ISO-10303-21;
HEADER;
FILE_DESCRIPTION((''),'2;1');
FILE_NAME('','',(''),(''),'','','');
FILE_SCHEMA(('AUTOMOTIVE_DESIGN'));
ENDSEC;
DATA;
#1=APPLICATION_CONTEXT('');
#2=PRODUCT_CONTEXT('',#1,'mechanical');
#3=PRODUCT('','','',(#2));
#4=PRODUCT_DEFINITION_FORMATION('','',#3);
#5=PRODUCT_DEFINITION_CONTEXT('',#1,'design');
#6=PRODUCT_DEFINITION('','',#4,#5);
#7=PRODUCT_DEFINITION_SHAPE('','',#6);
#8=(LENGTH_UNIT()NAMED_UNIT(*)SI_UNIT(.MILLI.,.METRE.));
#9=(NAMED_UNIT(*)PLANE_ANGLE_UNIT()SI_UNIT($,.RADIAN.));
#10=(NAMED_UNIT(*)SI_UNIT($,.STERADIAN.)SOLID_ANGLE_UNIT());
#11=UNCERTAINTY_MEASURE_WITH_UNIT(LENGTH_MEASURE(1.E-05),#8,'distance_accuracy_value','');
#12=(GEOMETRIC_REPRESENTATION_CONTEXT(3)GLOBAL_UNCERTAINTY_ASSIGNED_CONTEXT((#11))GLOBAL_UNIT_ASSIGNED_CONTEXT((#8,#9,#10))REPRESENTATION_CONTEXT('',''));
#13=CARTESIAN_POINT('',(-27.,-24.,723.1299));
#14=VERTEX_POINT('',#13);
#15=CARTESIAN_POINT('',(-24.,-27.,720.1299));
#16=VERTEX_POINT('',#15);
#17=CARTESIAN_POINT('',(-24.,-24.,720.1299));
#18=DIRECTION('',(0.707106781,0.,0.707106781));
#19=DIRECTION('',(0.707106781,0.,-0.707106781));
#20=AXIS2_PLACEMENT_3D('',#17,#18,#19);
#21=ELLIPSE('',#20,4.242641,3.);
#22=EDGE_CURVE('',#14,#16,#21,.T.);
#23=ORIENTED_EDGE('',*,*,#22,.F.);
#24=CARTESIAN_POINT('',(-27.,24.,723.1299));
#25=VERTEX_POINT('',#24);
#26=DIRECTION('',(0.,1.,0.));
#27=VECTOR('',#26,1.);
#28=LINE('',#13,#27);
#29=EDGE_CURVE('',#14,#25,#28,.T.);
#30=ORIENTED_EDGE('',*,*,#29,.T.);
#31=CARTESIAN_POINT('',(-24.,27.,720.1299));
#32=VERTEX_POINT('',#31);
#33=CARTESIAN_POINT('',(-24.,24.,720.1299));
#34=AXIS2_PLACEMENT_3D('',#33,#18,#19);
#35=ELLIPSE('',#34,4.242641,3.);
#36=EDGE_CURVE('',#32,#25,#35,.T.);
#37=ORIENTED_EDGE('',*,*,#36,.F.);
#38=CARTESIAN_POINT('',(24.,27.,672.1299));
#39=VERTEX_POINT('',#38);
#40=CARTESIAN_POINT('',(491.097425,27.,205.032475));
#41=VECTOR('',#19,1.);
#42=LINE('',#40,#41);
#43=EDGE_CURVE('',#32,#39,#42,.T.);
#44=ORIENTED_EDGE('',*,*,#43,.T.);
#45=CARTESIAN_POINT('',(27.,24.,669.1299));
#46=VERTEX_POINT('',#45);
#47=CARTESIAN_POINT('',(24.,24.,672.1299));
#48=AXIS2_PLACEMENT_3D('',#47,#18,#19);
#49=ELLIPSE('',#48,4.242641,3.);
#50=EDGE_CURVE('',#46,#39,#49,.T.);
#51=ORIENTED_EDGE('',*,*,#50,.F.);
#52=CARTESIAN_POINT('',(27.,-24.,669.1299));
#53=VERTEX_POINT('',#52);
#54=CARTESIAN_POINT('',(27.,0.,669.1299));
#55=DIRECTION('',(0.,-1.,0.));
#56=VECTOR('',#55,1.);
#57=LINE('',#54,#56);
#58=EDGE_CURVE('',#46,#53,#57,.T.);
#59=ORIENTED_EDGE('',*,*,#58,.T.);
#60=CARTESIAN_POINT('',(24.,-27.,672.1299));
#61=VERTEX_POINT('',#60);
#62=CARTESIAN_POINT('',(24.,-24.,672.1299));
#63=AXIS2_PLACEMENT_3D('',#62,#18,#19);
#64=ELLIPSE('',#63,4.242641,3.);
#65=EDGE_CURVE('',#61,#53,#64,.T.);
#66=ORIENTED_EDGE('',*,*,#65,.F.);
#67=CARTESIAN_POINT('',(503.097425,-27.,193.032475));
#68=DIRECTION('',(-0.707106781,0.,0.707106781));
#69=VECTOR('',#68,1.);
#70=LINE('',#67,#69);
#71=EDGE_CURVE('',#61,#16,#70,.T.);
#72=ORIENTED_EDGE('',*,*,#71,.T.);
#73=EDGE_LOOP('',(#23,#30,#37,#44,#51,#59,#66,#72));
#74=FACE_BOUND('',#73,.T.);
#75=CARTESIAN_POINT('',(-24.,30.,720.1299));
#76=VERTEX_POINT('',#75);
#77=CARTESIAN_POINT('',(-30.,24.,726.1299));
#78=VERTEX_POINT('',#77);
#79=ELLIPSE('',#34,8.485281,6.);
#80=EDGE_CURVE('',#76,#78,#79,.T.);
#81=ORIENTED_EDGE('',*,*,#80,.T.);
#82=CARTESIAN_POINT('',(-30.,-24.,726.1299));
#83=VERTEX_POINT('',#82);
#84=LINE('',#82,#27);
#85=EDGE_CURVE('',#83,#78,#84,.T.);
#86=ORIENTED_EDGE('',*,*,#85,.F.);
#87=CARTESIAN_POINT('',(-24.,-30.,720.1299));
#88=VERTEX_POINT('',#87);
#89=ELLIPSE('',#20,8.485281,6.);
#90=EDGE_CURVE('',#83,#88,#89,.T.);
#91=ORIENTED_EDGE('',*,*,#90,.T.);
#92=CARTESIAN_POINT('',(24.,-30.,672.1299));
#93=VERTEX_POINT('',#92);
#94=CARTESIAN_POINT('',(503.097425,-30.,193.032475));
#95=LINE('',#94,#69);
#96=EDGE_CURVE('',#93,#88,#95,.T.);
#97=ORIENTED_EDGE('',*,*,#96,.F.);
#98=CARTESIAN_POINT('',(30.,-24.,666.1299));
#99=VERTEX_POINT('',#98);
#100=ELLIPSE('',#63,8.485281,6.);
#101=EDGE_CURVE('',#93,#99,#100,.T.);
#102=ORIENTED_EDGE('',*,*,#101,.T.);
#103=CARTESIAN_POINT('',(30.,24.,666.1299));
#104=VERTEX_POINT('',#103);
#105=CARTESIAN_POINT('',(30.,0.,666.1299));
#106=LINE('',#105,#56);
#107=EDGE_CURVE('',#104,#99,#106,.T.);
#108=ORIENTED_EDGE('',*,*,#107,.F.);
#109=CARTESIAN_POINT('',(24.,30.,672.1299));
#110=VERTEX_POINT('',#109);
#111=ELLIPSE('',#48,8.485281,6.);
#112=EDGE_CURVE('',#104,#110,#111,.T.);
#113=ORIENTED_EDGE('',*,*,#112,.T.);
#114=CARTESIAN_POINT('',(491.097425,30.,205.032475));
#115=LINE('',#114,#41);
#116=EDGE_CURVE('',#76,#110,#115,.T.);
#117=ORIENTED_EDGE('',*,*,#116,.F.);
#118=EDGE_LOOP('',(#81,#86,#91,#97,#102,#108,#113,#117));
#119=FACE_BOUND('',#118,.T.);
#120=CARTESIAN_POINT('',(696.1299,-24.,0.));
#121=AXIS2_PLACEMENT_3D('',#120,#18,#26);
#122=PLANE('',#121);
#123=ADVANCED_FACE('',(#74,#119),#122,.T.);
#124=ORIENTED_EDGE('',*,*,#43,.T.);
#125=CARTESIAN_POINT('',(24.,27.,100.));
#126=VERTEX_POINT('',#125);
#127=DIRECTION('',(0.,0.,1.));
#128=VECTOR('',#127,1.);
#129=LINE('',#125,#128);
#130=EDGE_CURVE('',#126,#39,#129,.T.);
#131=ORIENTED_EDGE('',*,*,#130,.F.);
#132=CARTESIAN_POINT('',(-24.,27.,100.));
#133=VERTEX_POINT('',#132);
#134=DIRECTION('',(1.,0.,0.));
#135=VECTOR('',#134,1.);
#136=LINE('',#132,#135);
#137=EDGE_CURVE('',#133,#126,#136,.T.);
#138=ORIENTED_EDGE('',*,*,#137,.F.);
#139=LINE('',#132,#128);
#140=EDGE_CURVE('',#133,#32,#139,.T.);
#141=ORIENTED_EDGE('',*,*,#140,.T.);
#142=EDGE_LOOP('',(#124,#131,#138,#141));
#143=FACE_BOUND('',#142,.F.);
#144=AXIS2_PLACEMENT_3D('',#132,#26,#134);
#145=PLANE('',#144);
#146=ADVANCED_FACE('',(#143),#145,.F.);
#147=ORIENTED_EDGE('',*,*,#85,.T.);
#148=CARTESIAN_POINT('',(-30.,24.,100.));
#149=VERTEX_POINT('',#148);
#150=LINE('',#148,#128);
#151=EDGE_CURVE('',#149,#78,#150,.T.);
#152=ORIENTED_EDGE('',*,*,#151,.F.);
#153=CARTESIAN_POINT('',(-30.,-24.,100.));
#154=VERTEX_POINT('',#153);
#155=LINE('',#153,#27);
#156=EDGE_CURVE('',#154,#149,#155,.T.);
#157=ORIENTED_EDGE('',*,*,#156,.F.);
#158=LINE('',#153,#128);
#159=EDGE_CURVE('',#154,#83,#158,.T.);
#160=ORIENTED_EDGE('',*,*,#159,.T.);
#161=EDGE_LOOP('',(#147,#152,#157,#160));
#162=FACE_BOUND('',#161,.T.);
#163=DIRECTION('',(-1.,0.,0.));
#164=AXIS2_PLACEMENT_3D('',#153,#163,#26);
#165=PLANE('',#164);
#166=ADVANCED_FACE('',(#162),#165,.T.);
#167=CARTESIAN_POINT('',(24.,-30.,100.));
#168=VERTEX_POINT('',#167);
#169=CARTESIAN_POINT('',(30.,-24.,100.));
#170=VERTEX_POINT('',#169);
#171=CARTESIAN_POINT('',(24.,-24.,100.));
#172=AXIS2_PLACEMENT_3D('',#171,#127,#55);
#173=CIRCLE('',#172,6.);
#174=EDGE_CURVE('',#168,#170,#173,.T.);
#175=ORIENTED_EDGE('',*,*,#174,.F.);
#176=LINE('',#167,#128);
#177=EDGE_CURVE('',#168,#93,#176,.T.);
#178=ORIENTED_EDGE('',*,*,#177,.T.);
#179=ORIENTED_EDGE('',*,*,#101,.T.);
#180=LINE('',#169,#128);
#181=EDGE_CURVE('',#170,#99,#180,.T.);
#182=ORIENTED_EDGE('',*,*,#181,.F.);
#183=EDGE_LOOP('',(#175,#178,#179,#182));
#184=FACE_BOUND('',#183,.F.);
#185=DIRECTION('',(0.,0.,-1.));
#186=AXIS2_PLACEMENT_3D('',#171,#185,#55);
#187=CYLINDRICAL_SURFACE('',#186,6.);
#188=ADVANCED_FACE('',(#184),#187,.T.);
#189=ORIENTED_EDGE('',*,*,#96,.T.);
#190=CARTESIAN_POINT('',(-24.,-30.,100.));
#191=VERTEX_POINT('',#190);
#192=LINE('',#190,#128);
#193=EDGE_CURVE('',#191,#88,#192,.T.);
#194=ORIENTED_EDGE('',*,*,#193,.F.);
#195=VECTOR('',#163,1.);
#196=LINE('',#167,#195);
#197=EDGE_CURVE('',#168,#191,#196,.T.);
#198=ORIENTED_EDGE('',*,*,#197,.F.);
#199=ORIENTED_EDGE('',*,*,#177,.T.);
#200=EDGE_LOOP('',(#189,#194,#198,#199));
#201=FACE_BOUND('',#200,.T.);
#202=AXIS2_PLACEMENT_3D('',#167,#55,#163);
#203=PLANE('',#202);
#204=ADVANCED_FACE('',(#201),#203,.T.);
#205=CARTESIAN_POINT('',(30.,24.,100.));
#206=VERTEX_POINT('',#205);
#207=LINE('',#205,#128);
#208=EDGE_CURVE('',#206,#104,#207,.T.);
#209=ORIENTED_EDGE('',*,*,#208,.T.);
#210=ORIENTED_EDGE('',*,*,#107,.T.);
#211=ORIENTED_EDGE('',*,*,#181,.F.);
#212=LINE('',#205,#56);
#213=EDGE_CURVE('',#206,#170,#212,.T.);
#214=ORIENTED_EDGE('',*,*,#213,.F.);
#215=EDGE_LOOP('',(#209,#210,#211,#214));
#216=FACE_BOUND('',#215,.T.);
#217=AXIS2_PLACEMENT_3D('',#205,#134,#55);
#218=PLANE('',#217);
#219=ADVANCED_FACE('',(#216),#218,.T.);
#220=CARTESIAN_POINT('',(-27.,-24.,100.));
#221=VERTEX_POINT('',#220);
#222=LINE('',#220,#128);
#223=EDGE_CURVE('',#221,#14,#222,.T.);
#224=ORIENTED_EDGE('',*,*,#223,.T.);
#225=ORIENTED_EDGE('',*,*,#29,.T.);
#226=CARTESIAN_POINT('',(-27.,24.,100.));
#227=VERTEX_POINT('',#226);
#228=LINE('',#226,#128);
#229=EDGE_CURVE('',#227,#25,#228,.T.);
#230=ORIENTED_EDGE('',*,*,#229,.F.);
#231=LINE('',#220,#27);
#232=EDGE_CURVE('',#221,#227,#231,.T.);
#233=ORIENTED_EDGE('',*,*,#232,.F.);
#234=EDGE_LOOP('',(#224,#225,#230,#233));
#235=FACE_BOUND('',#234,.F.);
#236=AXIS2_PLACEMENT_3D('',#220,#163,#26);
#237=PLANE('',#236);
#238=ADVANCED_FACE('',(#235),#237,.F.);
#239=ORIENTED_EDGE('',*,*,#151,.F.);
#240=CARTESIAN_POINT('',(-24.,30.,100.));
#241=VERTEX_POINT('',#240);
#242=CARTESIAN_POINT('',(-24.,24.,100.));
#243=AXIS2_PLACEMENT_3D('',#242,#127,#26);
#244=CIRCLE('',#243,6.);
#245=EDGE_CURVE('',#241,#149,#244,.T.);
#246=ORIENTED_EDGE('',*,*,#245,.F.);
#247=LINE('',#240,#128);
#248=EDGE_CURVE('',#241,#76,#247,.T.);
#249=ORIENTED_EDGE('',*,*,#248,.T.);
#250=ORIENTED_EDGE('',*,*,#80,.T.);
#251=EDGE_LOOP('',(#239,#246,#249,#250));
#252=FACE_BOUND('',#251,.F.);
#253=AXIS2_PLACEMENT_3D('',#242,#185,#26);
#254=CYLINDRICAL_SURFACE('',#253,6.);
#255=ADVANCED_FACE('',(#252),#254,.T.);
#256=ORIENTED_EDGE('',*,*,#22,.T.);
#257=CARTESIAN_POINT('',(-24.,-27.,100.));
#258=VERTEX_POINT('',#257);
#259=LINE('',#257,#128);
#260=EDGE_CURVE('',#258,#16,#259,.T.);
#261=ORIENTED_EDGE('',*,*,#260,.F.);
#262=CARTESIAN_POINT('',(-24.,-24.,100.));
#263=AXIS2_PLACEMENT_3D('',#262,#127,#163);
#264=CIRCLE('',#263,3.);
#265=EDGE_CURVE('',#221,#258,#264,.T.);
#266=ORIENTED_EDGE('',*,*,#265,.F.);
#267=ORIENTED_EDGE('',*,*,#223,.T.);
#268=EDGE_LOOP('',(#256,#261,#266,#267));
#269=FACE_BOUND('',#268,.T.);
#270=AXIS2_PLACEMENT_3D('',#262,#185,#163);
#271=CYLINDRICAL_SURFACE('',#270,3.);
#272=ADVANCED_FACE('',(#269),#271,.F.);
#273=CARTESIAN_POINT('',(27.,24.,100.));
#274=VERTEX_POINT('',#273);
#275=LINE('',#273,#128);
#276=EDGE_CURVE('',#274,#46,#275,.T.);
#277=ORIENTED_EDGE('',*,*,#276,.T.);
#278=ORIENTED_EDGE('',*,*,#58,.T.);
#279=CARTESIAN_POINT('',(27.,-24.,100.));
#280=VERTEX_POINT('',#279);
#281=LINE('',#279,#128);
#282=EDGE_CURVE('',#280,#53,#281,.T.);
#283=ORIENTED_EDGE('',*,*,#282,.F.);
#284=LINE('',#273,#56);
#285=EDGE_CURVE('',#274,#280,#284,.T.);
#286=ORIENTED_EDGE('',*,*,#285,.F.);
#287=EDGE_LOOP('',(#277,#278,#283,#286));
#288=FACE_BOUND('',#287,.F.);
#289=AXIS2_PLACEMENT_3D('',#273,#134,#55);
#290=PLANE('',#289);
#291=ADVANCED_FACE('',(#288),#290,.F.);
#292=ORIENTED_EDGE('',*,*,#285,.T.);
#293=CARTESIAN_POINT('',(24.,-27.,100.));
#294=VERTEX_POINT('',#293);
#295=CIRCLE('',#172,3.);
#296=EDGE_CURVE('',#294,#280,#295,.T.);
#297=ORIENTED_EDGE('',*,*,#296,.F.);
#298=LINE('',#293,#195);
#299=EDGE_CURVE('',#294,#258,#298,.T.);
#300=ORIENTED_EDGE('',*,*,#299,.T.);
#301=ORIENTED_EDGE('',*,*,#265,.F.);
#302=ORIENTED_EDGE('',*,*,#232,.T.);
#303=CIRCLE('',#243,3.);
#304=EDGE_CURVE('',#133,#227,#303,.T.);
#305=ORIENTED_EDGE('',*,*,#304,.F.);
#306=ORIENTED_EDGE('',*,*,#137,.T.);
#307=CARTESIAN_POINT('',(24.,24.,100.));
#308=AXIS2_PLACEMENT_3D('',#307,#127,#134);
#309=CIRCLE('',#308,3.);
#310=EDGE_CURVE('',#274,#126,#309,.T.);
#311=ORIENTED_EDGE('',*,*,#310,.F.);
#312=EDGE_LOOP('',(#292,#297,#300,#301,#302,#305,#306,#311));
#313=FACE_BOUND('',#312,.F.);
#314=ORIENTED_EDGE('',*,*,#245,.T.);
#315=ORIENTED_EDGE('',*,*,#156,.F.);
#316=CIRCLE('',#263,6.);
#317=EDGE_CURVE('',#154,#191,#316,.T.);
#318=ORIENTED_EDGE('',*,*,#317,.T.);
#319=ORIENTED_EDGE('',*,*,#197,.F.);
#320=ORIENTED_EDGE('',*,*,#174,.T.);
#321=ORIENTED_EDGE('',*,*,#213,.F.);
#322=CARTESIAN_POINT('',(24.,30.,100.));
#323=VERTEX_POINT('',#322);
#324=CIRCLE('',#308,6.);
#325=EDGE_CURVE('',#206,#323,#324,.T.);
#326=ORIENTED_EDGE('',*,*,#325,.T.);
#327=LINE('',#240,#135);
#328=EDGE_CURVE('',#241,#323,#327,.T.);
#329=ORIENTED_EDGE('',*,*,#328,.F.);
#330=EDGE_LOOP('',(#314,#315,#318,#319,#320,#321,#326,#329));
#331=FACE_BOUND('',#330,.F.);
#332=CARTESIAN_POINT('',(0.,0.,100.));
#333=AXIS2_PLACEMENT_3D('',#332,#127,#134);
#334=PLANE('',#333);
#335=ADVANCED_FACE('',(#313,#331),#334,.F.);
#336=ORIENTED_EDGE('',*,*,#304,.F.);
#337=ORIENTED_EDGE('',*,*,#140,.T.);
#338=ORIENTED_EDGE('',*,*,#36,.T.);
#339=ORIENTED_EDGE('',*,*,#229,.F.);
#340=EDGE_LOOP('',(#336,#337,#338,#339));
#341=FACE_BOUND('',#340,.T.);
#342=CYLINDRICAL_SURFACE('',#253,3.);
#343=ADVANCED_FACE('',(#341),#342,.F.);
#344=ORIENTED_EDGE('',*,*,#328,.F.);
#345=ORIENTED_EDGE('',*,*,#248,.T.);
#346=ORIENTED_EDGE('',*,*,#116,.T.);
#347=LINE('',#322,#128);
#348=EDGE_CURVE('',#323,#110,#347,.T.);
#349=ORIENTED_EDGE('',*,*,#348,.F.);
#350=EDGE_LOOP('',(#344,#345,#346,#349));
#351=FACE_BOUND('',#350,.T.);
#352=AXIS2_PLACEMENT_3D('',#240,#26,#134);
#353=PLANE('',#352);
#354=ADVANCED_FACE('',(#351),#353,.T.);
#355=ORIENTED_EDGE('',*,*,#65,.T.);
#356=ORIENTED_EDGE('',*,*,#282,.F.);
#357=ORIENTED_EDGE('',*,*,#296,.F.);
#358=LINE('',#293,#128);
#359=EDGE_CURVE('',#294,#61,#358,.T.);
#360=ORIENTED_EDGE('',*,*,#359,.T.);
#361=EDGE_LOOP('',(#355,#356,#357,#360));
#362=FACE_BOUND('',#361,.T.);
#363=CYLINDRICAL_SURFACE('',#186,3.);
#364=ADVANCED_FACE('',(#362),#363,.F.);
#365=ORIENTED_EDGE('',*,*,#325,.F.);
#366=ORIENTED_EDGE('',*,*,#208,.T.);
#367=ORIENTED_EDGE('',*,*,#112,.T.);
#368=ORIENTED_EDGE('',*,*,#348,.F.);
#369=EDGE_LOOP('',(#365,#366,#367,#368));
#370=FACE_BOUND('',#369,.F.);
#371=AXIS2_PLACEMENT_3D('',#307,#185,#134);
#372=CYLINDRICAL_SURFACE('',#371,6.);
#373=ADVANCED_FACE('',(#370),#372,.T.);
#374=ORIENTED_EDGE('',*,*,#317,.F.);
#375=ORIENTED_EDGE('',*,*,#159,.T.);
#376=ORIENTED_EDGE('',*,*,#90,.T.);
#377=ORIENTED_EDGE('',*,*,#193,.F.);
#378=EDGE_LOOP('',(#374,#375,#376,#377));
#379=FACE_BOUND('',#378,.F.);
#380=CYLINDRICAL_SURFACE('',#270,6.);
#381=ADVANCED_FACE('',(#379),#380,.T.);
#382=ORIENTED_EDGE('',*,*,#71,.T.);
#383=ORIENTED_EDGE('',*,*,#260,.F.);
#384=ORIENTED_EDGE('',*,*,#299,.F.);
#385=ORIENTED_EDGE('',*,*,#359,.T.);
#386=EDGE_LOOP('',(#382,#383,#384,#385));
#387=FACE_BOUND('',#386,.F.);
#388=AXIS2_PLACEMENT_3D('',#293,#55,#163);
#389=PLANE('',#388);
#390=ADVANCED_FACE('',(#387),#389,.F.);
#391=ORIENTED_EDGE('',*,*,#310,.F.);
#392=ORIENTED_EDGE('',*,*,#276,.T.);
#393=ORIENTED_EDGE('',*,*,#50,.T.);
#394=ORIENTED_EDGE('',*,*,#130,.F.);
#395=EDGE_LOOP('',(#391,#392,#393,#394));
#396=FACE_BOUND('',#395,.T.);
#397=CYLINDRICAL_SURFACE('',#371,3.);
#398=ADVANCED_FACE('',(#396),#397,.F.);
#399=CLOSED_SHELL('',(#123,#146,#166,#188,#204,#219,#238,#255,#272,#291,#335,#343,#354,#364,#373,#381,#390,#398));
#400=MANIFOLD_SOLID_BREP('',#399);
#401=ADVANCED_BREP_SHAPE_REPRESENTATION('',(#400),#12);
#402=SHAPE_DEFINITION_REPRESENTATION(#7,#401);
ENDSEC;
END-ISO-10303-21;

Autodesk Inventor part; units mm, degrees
ref_plane "Start Plane" through (0, 0, 100) normal (0, 0, 1) x (1, 0, 0)
ref_plane "End Plane" through (0, 0, 726.1299) normal (0, 0, 1) x (1, 0, 0)
sketch "Sketch" plane through (0, 0, 0) normal (0, 0, 1) x (1, 0, 0)
  line L0 (-30, -24) -> (-30, 24)
  line L1 (-24, 30) -> (24, 30)
  line L2 (30, 24) -> (30, -24)
  line L3 (24, -30) -> (-24, -30)
  arc A0 (-30, -24) -> (-24, -30) centre (-24, -24) ccw
  arc A1 (30, 24) -> (24, 30) centre (24, 24) ccw
  arc A2 (-24, 30) -> (-30, 24) centre (-24, 24) ccw
  arc A3 (24, -30) -> (30, -24) centre (24, -24) ccw
  arc A4 (-24, 27) -> (-27, 24) centre (-24, 24) ccw
  line L4 (-24, 27) -> (24, 27)
  arc A5 (27, 24) -> (24, 27) centre (24, 24) ccw
  line L5 (27, 24) -> (27, -24)
  arc A6 (24, -27) -> (27, -24) centre (24, -24) ccw
  line L6 (24, -27) -> (-24, -27)
  arc A7 (-27, -24) -> (-24, -27) centre (-24, -24) ccw
  line L7 (-27, -24) -> (-27, 24)
  line L8 (0, 43.7397) -> (0, -43.7397) construction
  line L9 (-43.7397, 0) -> (43.7397, 0) construction
  dimension "d7" = 6
  dimension "d9" = 60
  dimension "d11" = 60
  dimension "d12" = 3
  dimension "d15" = 30
  dimension "d16" = 30
extrude "Body" add sketch "Sketch" along normal up to surface (626.1299 mm away) from surface at 100
sketch "Sketch3" plane through (0, 0, 0) normal (0, 0, 1) x (1, 0, 0)
  line L0 (0, 0) -> (10, 0)
ref_plane "Work Plane3" through (0, 0, 0) normal (0, -1, 0) x (1, 0, 0)
ref_plane "Work Plane4" through (696.1299, -24, 0) normal (0.7071, 0, 0.7071) x (0.7071, 0, -0.7071)
split "Split1" plane through (696.1299, -24, 0) removes the side toward (0.7071, 0, 0.7071)
sketch "Sketch4" plane through (0, 0, 0) normal (0, -1, 0) x (1, 0, 0)
  line L0 (-2, 100) -> (12, 100) projected
  line L1 (-2, 726.1299) -> (12, 726.1299) projected
  dimension "d18" = 626.1299
equation "\"d7\" = G_IR"
equation "\"d9\" = G_W"
equation "\"d11\" = G_H"
equation "\"d12\" = G_T"
equation "\"d15\" = 0.5 * d9"
equation "\"d16\" = 0.5 * d11"
equation "\"d3\" = G_L"
equation "\"G_W\" = 60"
equation "\"G_H\" = 60"
equation "\"G_T\" = 3"
equation "\"G_IR\" = 6"
equation "\"G_L\" = d18"
equation "\"G_OFFSET_END\" = 0"
equation "\"d14\" = G_OFFSET_END + B_L"
equation "\"B_L\" = 726.12992"
properties part number "ISO 10799-2 - 60x60x3 - 626,13" material "Steel, Mild"
